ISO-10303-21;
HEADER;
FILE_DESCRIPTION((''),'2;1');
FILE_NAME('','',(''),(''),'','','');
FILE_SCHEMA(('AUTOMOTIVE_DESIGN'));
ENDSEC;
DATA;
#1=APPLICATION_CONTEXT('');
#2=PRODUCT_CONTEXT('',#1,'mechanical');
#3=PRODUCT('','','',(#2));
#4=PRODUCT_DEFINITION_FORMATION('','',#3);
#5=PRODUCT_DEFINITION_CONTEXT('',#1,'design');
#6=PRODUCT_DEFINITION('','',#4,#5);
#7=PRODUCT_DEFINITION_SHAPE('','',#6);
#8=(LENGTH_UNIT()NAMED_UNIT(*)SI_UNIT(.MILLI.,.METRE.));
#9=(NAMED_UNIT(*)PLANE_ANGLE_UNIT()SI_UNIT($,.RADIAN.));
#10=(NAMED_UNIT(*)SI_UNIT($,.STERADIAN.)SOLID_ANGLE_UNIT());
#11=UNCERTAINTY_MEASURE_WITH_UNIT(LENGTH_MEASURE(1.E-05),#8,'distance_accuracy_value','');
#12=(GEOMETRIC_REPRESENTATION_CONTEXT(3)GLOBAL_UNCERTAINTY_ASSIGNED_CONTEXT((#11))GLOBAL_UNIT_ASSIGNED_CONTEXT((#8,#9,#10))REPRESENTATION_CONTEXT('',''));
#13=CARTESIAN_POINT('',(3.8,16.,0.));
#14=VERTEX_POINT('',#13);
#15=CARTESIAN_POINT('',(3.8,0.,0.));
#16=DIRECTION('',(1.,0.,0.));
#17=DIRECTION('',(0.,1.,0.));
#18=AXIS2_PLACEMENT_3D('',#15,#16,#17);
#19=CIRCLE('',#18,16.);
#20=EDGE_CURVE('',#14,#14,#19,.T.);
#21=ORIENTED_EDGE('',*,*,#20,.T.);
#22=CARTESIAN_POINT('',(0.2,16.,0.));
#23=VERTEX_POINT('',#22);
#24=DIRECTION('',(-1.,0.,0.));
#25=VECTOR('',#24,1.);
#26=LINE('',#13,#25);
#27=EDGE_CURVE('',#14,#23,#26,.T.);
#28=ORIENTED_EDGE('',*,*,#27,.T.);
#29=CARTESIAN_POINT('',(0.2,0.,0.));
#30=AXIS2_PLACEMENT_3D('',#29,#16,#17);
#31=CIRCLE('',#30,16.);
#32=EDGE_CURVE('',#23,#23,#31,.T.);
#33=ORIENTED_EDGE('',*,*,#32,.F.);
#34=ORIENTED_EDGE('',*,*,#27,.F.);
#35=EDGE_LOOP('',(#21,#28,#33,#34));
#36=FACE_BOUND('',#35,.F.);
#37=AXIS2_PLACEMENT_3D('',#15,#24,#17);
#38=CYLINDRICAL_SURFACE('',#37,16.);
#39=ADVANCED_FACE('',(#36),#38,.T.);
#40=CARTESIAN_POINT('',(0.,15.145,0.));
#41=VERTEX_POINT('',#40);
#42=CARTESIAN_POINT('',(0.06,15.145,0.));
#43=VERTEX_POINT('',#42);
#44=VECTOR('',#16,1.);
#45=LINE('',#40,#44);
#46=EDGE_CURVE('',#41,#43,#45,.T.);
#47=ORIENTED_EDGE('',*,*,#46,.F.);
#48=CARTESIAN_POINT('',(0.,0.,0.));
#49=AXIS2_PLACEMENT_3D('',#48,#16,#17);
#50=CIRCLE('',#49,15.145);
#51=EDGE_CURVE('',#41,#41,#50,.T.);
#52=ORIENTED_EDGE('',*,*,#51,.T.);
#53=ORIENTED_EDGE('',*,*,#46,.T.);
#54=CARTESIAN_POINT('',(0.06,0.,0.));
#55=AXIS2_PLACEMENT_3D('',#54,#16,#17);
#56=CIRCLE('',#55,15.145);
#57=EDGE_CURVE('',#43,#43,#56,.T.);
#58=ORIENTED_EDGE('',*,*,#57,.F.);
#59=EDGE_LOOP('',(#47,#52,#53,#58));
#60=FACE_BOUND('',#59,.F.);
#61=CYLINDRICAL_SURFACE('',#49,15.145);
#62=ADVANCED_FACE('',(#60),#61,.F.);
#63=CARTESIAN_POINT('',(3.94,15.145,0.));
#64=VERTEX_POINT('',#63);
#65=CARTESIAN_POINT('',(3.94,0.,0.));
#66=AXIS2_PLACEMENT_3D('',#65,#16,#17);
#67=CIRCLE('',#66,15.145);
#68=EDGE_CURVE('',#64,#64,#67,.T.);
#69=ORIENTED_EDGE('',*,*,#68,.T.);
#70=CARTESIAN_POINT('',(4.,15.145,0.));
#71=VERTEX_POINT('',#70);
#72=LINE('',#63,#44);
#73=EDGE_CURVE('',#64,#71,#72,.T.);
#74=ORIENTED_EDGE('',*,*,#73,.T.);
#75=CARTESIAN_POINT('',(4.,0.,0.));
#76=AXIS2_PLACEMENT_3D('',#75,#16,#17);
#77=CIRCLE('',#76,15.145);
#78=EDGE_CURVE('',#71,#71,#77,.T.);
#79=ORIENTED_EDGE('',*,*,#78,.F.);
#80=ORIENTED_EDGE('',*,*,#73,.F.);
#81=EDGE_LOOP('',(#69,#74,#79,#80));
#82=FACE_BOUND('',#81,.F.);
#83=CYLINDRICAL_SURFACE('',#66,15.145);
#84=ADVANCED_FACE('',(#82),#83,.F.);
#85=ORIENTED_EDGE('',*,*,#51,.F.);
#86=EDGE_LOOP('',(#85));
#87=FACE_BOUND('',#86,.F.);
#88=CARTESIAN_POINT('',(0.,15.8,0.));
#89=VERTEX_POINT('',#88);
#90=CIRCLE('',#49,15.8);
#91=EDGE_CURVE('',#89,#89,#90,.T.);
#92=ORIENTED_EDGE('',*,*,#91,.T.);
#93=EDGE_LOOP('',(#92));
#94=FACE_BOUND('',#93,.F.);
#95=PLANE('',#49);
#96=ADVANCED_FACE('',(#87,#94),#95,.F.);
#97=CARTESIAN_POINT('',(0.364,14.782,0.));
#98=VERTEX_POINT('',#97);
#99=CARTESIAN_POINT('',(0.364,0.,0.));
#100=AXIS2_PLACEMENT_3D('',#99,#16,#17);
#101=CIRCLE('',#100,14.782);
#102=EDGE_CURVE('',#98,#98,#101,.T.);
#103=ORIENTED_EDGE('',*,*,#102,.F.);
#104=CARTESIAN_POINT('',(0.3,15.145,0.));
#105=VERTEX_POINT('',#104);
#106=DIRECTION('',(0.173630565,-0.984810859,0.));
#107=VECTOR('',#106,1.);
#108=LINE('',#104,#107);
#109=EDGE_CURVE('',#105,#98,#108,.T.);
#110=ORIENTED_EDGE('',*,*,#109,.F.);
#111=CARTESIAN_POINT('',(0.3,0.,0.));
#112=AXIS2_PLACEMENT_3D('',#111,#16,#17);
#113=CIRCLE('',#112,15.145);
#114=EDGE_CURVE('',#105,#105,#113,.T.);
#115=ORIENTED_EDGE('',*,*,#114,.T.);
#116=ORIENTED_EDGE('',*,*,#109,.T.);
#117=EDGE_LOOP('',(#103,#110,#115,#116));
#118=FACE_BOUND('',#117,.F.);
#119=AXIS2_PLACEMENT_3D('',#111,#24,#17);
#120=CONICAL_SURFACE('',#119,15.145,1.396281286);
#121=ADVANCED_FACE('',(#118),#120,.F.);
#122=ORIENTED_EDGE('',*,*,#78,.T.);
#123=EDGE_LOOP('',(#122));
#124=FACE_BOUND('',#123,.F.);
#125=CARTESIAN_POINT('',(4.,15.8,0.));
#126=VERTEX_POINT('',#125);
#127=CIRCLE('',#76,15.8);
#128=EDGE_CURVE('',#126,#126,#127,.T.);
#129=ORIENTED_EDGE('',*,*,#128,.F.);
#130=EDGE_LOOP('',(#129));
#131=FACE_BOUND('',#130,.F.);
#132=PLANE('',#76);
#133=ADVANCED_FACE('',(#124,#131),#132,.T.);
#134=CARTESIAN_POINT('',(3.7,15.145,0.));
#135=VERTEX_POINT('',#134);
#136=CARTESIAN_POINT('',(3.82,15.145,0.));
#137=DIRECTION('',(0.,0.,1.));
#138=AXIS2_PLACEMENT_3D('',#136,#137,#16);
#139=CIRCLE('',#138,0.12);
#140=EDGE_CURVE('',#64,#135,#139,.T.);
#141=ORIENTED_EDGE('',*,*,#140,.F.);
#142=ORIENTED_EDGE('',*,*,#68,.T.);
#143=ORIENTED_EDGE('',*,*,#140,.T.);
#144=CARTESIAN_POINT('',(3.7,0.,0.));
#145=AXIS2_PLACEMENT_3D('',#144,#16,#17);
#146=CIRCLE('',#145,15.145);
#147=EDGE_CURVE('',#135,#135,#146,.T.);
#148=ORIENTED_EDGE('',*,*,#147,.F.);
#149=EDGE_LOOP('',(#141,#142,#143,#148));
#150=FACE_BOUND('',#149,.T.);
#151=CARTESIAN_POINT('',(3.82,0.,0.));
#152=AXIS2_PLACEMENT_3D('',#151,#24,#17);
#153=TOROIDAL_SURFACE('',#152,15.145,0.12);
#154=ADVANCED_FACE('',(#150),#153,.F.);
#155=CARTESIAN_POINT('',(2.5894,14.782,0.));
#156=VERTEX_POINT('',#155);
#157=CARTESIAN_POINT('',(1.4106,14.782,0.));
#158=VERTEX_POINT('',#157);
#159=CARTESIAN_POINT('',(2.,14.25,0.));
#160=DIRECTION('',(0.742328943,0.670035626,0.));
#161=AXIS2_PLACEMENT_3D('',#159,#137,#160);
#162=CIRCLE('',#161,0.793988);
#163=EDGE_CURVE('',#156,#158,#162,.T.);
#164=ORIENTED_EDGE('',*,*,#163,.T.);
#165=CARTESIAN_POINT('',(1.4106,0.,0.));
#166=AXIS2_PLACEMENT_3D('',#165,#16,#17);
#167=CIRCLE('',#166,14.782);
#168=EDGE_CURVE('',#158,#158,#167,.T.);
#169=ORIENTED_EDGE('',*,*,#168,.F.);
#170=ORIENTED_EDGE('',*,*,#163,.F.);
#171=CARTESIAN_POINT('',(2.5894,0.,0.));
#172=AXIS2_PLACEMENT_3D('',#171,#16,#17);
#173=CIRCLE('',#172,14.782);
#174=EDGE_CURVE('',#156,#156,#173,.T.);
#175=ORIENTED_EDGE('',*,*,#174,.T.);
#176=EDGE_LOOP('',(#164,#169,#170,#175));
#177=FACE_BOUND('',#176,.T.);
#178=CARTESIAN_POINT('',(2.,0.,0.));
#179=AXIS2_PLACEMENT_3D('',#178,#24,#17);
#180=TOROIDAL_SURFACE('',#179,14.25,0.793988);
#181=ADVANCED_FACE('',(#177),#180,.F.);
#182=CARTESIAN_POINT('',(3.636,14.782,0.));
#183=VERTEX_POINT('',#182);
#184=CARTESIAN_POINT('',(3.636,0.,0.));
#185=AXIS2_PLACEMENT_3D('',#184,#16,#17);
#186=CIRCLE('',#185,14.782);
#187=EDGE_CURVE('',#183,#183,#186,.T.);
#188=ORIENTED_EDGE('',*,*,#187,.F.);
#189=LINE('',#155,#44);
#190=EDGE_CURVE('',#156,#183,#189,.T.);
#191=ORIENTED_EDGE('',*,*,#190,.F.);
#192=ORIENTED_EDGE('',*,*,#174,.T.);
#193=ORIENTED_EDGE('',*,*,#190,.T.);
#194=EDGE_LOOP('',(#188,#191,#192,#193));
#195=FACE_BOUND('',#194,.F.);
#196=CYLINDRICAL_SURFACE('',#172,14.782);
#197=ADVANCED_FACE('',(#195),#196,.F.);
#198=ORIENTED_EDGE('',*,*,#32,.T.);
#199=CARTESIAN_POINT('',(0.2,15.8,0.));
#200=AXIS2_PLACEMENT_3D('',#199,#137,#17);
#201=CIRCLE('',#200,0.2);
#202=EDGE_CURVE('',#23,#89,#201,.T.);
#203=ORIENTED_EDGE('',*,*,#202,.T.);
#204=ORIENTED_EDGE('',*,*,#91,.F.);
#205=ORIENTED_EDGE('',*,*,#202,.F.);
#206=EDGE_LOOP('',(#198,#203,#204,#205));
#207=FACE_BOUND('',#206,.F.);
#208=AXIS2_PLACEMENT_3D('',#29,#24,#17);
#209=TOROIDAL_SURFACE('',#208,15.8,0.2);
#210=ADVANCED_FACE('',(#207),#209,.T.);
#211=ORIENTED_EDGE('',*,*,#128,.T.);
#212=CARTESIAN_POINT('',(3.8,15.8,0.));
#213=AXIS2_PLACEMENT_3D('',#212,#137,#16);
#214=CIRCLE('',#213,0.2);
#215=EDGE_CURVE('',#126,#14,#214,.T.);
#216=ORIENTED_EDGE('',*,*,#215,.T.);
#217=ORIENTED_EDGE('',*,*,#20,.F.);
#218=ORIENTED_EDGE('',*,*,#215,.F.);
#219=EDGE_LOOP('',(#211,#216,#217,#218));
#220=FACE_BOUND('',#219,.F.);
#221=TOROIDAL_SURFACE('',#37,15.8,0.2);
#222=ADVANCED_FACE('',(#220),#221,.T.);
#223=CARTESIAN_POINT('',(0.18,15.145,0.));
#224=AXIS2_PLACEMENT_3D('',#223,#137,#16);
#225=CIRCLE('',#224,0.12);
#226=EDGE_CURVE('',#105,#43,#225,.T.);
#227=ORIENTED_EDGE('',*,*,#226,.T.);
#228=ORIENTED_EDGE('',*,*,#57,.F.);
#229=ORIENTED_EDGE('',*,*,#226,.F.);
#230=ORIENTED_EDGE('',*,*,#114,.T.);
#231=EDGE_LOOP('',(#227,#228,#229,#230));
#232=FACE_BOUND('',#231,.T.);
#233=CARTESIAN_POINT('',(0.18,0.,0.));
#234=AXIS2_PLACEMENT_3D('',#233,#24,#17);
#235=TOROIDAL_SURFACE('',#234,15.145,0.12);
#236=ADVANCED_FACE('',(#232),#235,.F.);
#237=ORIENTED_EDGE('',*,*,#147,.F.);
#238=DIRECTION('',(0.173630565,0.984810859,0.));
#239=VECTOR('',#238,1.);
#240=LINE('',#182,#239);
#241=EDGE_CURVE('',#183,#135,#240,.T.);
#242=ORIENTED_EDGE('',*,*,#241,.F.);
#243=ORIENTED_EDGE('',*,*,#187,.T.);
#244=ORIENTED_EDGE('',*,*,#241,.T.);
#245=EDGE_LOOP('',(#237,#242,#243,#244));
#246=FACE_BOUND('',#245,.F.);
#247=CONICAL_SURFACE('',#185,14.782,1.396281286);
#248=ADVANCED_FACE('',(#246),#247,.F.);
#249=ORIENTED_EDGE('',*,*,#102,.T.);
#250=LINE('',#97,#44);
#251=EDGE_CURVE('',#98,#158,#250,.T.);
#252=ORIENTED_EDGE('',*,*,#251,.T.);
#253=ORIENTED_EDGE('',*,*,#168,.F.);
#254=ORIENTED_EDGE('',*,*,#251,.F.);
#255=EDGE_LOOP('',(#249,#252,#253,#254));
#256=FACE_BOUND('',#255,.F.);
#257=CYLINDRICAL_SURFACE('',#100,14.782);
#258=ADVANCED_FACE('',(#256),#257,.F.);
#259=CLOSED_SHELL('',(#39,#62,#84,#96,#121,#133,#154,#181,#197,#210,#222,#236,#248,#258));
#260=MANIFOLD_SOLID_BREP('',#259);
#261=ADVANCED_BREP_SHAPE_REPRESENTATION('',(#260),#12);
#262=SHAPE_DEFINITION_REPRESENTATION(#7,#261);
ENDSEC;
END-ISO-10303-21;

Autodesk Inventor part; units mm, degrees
ref_plane "YZ Plane" through (0, 0, 0) normal (1, 0, 0) x (0, 1, 0)
ref_plane "XZ Plane" through (0, 0, 0) normal (0, 1, 0) x (-1, 0, 0)
ref_plane "XY Plane" through (0, 0, 0) normal (0, 0, 1) x (1, 0, 0)
sketch "Sketch_16" plane through (0, 0, 0) normal (0, 0, 1) x (1, 0, 0)
  line L0 (50, 0) -> (-50, 0)
  line L1 (0, 15.145) -> (0.06, 15.145)
  arc A0 (0.3, 15.145) -> (0.06, 15.145) centre (0.18, 15.145) ccw
  line L2 (0.3, 15.145) -> (0.364, 14.782)
  line L3 (0.364, 14.782) -> (1.4106, 14.782)
  arc A1 (2.5894, 14.782) -> (1.4106, 14.782) centre (2, 14.25) ccw
  line L4 (2.5894, 14.782) -> (3.636, 14.782)
  line L5 (3.636, 14.782) -> (3.7, 15.145)
  arc A2 (3.94, 15.145) -> (3.7, 15.145) centre (3.82, 15.145) ccw
  line L6 (3.94, 15.145) -> (4, 15.145)
  line L7 (4, 15.145) -> (4, 15.8)
  arc A3 (4, 15.8) -> (3.8, 16) centre (3.8, 15.8) ccw
  line L8 (3.8, 16) -> (0.2, 16)
  arc A4 (0.2, 16) -> (0, 15.8) centre (0.2, 15.8) ccw
  line L9 (0, 15.8) -> (0, 15.145)
revolve "Revolution1" add sketch "Sketch_16" angle 360 about axis through (50, 0, 0) along (1, 0, 0)
properties part number "W 61705-2RS1_PART2"
